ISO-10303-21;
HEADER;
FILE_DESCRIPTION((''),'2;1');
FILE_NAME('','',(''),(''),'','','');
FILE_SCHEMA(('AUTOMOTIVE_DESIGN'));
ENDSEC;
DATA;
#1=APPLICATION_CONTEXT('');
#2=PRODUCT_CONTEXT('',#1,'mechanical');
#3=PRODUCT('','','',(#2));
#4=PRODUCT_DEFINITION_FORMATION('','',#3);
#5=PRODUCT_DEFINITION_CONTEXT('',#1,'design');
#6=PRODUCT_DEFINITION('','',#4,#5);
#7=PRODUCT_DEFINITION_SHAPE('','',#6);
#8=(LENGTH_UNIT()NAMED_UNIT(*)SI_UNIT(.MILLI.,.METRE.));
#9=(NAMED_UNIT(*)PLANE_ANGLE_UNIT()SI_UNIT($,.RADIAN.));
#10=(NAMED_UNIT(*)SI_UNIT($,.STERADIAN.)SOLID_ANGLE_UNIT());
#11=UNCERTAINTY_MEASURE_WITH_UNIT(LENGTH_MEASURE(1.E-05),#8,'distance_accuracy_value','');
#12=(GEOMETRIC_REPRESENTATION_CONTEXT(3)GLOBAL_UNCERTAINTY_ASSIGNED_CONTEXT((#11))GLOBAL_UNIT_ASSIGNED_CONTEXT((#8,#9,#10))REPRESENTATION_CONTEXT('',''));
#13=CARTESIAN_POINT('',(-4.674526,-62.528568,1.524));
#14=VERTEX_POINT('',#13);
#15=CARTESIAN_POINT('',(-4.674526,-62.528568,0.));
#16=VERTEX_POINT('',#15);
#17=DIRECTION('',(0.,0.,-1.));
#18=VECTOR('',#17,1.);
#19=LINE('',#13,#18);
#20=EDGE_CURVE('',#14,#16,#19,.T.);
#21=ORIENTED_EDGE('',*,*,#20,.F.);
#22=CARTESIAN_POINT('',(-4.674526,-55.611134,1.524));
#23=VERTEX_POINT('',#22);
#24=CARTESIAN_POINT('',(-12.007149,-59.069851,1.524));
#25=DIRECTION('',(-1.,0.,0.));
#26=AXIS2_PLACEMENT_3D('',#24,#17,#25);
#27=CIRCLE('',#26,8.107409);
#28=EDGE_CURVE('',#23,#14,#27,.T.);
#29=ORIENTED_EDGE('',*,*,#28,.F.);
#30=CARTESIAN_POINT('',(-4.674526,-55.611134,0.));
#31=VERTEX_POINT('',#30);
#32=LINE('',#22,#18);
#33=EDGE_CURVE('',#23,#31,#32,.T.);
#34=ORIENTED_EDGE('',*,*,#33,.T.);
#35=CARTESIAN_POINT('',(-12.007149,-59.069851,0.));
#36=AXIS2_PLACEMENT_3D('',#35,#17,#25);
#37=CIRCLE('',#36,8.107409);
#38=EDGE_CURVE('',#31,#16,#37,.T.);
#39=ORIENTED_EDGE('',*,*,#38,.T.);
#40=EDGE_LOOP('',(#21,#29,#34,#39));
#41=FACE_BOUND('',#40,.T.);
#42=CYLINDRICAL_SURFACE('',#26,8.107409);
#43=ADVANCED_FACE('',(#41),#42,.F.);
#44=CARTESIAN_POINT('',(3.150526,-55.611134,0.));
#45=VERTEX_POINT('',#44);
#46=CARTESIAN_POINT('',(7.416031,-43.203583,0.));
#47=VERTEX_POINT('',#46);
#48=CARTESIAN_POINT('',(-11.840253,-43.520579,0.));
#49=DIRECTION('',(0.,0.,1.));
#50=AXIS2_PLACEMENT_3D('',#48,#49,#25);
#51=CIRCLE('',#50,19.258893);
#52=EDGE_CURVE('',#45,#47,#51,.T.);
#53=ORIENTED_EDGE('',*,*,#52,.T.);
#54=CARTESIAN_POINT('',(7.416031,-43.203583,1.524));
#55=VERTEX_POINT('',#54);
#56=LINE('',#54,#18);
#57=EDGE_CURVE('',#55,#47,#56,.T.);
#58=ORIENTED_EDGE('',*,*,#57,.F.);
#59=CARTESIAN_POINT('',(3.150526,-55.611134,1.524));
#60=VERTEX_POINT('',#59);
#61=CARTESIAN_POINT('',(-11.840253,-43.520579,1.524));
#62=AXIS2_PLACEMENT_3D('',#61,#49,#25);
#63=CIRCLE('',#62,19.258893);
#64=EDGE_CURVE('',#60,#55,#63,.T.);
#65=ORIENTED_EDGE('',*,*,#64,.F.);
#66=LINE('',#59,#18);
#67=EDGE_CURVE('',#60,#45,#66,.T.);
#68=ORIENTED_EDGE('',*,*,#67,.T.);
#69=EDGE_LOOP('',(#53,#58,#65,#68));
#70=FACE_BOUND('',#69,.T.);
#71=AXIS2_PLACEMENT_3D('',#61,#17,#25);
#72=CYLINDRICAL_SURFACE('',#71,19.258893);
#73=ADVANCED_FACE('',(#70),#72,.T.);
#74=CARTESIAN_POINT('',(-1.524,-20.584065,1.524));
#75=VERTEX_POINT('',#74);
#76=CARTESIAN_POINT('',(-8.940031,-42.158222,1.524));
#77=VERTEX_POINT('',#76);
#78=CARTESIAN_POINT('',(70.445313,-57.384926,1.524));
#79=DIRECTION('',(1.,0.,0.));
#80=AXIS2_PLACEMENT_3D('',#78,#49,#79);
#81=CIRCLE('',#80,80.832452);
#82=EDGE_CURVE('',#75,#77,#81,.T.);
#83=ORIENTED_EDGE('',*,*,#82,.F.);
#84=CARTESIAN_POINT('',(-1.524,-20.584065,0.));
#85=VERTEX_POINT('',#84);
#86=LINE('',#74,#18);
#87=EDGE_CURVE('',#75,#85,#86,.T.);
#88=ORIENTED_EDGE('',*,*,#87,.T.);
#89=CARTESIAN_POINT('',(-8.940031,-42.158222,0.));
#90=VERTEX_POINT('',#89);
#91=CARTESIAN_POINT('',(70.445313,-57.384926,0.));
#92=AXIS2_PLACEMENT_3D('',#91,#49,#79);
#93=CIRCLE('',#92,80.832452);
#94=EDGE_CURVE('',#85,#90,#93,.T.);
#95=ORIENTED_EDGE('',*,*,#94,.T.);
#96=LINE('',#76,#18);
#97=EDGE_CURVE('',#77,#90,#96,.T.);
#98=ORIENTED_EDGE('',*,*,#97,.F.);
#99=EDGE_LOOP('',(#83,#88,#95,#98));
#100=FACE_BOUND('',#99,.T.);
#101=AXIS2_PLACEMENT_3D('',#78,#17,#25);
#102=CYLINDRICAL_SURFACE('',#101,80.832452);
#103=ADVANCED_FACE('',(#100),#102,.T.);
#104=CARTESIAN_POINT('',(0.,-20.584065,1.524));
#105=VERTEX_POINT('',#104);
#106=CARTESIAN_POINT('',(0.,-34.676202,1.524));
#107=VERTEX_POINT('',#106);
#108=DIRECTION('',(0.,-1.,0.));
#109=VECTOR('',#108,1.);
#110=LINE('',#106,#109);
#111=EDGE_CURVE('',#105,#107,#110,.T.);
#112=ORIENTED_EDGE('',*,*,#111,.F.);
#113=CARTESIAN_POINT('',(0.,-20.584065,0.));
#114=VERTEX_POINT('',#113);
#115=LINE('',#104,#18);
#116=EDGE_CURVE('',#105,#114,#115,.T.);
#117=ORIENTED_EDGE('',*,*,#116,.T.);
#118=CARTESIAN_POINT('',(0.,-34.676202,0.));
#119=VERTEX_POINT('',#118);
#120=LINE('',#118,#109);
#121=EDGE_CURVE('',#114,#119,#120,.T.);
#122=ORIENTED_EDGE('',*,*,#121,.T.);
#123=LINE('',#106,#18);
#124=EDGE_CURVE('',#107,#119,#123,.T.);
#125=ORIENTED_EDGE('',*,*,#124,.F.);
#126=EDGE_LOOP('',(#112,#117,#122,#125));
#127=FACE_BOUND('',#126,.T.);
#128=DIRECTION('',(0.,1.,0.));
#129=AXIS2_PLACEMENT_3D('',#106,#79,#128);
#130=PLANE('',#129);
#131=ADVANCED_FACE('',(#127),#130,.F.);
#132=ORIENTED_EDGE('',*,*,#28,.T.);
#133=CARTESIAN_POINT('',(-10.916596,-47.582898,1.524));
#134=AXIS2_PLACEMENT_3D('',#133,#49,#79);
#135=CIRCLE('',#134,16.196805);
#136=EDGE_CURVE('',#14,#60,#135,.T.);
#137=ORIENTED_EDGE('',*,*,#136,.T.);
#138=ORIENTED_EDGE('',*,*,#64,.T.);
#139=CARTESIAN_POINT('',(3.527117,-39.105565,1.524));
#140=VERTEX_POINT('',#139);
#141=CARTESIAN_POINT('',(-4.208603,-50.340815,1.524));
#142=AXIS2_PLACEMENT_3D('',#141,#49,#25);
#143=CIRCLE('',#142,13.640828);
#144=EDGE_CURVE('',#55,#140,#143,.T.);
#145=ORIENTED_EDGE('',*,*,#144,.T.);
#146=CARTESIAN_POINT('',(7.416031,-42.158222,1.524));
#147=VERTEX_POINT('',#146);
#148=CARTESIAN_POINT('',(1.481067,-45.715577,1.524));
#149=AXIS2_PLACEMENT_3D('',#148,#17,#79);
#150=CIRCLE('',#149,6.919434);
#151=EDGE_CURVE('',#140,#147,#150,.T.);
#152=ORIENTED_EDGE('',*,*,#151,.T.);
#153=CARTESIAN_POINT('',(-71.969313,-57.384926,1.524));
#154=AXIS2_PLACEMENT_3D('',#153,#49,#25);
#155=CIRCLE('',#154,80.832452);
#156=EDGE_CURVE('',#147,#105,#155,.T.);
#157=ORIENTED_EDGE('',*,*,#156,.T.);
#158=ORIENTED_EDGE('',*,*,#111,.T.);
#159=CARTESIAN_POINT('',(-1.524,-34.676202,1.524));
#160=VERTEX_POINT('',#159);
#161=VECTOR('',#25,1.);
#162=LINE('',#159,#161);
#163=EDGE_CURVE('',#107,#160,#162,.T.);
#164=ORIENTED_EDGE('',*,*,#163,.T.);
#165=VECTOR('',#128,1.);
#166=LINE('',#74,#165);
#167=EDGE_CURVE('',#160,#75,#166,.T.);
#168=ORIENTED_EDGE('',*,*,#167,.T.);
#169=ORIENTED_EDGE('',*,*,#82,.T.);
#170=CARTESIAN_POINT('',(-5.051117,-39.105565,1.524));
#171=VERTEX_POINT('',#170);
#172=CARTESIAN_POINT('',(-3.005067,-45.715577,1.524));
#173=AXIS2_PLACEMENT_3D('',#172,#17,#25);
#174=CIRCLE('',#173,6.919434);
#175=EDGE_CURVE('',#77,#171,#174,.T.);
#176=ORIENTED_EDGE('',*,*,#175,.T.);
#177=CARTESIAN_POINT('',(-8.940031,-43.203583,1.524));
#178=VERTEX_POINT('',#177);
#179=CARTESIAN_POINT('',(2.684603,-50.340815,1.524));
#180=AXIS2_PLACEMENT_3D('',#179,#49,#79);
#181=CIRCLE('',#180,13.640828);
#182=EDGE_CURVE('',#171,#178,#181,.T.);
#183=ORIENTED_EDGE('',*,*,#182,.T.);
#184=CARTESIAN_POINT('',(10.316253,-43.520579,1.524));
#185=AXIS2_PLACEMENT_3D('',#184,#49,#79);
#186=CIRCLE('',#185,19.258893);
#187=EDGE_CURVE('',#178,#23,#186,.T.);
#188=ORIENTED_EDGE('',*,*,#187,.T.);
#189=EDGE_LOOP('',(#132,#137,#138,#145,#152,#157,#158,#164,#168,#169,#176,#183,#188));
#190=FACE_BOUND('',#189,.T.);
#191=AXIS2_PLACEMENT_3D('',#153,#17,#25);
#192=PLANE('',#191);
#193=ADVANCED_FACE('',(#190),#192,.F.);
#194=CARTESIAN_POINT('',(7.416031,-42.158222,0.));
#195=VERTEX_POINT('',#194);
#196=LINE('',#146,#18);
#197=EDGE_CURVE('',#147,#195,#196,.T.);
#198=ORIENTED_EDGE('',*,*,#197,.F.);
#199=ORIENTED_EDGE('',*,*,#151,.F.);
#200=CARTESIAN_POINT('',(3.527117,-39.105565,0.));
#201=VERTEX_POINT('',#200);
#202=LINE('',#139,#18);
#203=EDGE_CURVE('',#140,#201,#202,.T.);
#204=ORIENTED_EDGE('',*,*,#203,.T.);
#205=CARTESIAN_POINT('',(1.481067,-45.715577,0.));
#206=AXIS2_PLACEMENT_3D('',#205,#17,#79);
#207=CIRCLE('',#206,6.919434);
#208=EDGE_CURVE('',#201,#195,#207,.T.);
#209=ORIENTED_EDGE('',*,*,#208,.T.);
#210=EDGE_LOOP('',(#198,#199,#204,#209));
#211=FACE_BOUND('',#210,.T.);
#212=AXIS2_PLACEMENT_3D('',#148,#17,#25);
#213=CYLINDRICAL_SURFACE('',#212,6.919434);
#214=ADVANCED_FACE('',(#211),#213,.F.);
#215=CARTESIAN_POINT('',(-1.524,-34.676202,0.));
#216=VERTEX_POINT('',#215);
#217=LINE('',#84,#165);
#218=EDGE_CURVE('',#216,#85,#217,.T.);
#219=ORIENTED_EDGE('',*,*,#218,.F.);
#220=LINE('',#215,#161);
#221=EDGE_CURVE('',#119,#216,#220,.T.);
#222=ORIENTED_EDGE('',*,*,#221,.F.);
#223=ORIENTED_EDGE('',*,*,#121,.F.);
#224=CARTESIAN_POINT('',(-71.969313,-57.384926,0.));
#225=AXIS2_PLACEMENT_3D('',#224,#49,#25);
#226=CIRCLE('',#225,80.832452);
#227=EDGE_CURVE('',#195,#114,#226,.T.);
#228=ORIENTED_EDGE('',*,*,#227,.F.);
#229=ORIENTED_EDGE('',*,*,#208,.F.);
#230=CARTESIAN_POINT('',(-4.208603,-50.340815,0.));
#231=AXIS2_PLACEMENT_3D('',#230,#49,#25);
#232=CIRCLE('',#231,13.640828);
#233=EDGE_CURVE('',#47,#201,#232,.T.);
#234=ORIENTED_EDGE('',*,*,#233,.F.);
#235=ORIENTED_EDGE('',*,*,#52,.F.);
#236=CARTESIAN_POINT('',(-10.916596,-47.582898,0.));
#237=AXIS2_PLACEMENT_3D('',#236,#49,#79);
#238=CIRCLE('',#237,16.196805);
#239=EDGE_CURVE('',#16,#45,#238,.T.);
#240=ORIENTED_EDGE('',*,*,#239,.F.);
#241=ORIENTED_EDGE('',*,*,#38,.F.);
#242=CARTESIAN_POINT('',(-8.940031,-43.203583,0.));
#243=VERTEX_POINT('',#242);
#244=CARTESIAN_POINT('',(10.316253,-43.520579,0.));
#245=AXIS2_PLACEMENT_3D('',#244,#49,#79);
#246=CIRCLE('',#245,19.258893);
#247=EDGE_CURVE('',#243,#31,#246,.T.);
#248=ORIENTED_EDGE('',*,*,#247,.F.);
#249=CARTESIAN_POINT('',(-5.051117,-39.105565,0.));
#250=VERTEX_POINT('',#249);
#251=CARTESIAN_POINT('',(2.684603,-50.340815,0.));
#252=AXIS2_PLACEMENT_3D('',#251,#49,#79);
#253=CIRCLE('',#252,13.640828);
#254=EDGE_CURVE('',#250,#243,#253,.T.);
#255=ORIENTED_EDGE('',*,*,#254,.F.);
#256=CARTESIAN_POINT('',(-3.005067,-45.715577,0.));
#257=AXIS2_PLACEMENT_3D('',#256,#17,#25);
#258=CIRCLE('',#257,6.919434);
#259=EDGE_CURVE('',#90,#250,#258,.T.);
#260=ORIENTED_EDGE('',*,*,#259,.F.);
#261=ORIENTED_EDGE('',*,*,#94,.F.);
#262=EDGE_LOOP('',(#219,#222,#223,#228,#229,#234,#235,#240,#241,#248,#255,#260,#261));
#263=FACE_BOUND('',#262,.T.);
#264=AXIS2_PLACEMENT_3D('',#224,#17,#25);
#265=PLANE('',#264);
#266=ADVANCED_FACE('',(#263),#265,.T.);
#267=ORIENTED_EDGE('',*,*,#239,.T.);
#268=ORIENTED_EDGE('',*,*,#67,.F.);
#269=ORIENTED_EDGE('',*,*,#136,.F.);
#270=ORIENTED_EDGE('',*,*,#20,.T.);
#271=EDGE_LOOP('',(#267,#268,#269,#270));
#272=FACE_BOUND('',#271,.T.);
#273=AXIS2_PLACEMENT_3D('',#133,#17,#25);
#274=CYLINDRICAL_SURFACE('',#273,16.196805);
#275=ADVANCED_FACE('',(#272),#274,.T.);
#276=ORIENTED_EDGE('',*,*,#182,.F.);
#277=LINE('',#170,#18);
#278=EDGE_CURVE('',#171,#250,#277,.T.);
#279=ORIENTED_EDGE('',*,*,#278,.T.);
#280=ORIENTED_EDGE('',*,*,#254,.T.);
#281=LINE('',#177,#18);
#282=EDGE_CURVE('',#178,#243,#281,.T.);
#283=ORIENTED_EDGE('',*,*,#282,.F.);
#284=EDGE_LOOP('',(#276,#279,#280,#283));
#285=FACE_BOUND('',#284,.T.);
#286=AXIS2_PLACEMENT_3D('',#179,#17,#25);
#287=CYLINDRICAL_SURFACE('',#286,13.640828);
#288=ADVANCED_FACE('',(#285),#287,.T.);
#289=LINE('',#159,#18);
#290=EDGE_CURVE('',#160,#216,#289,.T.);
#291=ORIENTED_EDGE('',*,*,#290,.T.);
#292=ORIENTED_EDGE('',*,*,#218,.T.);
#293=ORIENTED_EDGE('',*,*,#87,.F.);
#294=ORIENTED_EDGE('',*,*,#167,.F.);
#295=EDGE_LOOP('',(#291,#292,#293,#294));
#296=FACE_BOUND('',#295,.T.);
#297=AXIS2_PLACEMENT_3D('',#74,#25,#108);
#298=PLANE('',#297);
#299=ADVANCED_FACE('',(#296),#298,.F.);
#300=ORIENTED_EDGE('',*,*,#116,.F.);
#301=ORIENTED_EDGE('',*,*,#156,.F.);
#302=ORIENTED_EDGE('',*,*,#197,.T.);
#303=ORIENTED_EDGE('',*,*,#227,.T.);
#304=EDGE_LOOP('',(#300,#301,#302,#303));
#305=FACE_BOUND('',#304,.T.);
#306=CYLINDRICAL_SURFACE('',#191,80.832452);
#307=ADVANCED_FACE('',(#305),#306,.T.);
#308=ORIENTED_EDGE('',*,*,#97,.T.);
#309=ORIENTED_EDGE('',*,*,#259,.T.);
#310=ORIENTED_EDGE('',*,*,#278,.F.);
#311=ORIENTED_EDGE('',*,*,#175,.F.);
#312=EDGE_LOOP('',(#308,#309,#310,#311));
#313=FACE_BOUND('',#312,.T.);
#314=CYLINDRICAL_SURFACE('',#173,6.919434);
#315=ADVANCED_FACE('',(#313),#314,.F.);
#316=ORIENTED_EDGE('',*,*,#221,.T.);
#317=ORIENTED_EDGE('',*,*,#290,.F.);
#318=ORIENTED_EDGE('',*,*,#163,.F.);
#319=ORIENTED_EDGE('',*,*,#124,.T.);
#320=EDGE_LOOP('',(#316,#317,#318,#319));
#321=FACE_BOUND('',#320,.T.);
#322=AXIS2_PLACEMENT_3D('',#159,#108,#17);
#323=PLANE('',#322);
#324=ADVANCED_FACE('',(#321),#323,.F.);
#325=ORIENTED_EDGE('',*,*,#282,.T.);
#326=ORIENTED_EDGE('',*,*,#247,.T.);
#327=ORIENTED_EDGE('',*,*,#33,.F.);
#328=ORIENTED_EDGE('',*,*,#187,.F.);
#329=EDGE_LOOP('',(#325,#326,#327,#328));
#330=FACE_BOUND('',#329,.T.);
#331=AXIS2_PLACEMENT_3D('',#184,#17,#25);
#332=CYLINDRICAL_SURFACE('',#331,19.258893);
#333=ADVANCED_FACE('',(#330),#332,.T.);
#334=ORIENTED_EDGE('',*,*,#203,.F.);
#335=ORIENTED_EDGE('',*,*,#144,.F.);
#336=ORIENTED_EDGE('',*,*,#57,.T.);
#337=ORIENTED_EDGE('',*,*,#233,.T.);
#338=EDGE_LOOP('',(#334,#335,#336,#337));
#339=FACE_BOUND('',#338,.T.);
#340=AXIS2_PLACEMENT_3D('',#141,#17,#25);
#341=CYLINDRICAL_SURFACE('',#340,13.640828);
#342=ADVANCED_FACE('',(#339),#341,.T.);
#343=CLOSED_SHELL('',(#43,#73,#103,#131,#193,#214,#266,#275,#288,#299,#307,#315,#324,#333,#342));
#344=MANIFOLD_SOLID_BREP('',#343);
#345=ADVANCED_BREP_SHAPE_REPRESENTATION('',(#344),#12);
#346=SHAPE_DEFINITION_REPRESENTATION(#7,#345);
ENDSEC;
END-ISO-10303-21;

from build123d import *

# Parameters (mm, degrees)
BOSS_EXTRUDE1_DEPTH = 1.524


with BuildPart() as part:
    # Sketch1 → Boss-Extrude1 (new body)
    with BuildSketch(Plane.XY):
        with BuildLine():
            Line((-1.524, -34.676201819), (0, -34.676201819))
            Line((0, -34.676201819), (0, -20.584065252))
            ThreePointArc((0, -20.584065252), (4.472947003, -31.108201588), (7.416031026, -42.158222264))
            ThreePointArc((7.416031026, -42.158222264), (5.753516475, -40.272714916), (3.52711699, -39.105565432))
            ThreePointArc((3.52711699, -39.105565432), (5.686055365, -40.951036914), (7.416031026, -43.203583054))
            ThreePointArc((7.416031026, -43.203583054), (6.372439306, -49.781793421), (3.150525994, -55.611133859))
            ThreePointArc((3.150525994, -55.611133859), (-0.189129191, -59.717886603), (-4.674525994, -62.528568082))
            ThreePointArc((-4.674525994, -62.528568082), (-3.899739777, -59.06985097), (-4.674525994, -55.611133859))
            ThreePointArc((-4.674525994, -55.611133859), (-7.896439306, -49.781793421), (-8.940031026, -43.203583054))
            ThreePointArc((-8.940031026, -43.203583054), (-7.210055365, -40.951036914), (-5.05111699, -39.105565432))
            ThreePointArc((-5.05111699, -39.105565432), (-7.277516475, -40.272714916), (-8.940031026, -42.158222264))
            ThreePointArc((-8.940031026, -42.158222264), (-5.996947003, -31.108201588), (-1.524, -20.584065252))
            Line((-1.524, -20.584065252), (-1.524, -34.676201819))
        make_face()
    extrude(amount=BOSS_EXTRUDE1_DEPTH)


solid = part.part
